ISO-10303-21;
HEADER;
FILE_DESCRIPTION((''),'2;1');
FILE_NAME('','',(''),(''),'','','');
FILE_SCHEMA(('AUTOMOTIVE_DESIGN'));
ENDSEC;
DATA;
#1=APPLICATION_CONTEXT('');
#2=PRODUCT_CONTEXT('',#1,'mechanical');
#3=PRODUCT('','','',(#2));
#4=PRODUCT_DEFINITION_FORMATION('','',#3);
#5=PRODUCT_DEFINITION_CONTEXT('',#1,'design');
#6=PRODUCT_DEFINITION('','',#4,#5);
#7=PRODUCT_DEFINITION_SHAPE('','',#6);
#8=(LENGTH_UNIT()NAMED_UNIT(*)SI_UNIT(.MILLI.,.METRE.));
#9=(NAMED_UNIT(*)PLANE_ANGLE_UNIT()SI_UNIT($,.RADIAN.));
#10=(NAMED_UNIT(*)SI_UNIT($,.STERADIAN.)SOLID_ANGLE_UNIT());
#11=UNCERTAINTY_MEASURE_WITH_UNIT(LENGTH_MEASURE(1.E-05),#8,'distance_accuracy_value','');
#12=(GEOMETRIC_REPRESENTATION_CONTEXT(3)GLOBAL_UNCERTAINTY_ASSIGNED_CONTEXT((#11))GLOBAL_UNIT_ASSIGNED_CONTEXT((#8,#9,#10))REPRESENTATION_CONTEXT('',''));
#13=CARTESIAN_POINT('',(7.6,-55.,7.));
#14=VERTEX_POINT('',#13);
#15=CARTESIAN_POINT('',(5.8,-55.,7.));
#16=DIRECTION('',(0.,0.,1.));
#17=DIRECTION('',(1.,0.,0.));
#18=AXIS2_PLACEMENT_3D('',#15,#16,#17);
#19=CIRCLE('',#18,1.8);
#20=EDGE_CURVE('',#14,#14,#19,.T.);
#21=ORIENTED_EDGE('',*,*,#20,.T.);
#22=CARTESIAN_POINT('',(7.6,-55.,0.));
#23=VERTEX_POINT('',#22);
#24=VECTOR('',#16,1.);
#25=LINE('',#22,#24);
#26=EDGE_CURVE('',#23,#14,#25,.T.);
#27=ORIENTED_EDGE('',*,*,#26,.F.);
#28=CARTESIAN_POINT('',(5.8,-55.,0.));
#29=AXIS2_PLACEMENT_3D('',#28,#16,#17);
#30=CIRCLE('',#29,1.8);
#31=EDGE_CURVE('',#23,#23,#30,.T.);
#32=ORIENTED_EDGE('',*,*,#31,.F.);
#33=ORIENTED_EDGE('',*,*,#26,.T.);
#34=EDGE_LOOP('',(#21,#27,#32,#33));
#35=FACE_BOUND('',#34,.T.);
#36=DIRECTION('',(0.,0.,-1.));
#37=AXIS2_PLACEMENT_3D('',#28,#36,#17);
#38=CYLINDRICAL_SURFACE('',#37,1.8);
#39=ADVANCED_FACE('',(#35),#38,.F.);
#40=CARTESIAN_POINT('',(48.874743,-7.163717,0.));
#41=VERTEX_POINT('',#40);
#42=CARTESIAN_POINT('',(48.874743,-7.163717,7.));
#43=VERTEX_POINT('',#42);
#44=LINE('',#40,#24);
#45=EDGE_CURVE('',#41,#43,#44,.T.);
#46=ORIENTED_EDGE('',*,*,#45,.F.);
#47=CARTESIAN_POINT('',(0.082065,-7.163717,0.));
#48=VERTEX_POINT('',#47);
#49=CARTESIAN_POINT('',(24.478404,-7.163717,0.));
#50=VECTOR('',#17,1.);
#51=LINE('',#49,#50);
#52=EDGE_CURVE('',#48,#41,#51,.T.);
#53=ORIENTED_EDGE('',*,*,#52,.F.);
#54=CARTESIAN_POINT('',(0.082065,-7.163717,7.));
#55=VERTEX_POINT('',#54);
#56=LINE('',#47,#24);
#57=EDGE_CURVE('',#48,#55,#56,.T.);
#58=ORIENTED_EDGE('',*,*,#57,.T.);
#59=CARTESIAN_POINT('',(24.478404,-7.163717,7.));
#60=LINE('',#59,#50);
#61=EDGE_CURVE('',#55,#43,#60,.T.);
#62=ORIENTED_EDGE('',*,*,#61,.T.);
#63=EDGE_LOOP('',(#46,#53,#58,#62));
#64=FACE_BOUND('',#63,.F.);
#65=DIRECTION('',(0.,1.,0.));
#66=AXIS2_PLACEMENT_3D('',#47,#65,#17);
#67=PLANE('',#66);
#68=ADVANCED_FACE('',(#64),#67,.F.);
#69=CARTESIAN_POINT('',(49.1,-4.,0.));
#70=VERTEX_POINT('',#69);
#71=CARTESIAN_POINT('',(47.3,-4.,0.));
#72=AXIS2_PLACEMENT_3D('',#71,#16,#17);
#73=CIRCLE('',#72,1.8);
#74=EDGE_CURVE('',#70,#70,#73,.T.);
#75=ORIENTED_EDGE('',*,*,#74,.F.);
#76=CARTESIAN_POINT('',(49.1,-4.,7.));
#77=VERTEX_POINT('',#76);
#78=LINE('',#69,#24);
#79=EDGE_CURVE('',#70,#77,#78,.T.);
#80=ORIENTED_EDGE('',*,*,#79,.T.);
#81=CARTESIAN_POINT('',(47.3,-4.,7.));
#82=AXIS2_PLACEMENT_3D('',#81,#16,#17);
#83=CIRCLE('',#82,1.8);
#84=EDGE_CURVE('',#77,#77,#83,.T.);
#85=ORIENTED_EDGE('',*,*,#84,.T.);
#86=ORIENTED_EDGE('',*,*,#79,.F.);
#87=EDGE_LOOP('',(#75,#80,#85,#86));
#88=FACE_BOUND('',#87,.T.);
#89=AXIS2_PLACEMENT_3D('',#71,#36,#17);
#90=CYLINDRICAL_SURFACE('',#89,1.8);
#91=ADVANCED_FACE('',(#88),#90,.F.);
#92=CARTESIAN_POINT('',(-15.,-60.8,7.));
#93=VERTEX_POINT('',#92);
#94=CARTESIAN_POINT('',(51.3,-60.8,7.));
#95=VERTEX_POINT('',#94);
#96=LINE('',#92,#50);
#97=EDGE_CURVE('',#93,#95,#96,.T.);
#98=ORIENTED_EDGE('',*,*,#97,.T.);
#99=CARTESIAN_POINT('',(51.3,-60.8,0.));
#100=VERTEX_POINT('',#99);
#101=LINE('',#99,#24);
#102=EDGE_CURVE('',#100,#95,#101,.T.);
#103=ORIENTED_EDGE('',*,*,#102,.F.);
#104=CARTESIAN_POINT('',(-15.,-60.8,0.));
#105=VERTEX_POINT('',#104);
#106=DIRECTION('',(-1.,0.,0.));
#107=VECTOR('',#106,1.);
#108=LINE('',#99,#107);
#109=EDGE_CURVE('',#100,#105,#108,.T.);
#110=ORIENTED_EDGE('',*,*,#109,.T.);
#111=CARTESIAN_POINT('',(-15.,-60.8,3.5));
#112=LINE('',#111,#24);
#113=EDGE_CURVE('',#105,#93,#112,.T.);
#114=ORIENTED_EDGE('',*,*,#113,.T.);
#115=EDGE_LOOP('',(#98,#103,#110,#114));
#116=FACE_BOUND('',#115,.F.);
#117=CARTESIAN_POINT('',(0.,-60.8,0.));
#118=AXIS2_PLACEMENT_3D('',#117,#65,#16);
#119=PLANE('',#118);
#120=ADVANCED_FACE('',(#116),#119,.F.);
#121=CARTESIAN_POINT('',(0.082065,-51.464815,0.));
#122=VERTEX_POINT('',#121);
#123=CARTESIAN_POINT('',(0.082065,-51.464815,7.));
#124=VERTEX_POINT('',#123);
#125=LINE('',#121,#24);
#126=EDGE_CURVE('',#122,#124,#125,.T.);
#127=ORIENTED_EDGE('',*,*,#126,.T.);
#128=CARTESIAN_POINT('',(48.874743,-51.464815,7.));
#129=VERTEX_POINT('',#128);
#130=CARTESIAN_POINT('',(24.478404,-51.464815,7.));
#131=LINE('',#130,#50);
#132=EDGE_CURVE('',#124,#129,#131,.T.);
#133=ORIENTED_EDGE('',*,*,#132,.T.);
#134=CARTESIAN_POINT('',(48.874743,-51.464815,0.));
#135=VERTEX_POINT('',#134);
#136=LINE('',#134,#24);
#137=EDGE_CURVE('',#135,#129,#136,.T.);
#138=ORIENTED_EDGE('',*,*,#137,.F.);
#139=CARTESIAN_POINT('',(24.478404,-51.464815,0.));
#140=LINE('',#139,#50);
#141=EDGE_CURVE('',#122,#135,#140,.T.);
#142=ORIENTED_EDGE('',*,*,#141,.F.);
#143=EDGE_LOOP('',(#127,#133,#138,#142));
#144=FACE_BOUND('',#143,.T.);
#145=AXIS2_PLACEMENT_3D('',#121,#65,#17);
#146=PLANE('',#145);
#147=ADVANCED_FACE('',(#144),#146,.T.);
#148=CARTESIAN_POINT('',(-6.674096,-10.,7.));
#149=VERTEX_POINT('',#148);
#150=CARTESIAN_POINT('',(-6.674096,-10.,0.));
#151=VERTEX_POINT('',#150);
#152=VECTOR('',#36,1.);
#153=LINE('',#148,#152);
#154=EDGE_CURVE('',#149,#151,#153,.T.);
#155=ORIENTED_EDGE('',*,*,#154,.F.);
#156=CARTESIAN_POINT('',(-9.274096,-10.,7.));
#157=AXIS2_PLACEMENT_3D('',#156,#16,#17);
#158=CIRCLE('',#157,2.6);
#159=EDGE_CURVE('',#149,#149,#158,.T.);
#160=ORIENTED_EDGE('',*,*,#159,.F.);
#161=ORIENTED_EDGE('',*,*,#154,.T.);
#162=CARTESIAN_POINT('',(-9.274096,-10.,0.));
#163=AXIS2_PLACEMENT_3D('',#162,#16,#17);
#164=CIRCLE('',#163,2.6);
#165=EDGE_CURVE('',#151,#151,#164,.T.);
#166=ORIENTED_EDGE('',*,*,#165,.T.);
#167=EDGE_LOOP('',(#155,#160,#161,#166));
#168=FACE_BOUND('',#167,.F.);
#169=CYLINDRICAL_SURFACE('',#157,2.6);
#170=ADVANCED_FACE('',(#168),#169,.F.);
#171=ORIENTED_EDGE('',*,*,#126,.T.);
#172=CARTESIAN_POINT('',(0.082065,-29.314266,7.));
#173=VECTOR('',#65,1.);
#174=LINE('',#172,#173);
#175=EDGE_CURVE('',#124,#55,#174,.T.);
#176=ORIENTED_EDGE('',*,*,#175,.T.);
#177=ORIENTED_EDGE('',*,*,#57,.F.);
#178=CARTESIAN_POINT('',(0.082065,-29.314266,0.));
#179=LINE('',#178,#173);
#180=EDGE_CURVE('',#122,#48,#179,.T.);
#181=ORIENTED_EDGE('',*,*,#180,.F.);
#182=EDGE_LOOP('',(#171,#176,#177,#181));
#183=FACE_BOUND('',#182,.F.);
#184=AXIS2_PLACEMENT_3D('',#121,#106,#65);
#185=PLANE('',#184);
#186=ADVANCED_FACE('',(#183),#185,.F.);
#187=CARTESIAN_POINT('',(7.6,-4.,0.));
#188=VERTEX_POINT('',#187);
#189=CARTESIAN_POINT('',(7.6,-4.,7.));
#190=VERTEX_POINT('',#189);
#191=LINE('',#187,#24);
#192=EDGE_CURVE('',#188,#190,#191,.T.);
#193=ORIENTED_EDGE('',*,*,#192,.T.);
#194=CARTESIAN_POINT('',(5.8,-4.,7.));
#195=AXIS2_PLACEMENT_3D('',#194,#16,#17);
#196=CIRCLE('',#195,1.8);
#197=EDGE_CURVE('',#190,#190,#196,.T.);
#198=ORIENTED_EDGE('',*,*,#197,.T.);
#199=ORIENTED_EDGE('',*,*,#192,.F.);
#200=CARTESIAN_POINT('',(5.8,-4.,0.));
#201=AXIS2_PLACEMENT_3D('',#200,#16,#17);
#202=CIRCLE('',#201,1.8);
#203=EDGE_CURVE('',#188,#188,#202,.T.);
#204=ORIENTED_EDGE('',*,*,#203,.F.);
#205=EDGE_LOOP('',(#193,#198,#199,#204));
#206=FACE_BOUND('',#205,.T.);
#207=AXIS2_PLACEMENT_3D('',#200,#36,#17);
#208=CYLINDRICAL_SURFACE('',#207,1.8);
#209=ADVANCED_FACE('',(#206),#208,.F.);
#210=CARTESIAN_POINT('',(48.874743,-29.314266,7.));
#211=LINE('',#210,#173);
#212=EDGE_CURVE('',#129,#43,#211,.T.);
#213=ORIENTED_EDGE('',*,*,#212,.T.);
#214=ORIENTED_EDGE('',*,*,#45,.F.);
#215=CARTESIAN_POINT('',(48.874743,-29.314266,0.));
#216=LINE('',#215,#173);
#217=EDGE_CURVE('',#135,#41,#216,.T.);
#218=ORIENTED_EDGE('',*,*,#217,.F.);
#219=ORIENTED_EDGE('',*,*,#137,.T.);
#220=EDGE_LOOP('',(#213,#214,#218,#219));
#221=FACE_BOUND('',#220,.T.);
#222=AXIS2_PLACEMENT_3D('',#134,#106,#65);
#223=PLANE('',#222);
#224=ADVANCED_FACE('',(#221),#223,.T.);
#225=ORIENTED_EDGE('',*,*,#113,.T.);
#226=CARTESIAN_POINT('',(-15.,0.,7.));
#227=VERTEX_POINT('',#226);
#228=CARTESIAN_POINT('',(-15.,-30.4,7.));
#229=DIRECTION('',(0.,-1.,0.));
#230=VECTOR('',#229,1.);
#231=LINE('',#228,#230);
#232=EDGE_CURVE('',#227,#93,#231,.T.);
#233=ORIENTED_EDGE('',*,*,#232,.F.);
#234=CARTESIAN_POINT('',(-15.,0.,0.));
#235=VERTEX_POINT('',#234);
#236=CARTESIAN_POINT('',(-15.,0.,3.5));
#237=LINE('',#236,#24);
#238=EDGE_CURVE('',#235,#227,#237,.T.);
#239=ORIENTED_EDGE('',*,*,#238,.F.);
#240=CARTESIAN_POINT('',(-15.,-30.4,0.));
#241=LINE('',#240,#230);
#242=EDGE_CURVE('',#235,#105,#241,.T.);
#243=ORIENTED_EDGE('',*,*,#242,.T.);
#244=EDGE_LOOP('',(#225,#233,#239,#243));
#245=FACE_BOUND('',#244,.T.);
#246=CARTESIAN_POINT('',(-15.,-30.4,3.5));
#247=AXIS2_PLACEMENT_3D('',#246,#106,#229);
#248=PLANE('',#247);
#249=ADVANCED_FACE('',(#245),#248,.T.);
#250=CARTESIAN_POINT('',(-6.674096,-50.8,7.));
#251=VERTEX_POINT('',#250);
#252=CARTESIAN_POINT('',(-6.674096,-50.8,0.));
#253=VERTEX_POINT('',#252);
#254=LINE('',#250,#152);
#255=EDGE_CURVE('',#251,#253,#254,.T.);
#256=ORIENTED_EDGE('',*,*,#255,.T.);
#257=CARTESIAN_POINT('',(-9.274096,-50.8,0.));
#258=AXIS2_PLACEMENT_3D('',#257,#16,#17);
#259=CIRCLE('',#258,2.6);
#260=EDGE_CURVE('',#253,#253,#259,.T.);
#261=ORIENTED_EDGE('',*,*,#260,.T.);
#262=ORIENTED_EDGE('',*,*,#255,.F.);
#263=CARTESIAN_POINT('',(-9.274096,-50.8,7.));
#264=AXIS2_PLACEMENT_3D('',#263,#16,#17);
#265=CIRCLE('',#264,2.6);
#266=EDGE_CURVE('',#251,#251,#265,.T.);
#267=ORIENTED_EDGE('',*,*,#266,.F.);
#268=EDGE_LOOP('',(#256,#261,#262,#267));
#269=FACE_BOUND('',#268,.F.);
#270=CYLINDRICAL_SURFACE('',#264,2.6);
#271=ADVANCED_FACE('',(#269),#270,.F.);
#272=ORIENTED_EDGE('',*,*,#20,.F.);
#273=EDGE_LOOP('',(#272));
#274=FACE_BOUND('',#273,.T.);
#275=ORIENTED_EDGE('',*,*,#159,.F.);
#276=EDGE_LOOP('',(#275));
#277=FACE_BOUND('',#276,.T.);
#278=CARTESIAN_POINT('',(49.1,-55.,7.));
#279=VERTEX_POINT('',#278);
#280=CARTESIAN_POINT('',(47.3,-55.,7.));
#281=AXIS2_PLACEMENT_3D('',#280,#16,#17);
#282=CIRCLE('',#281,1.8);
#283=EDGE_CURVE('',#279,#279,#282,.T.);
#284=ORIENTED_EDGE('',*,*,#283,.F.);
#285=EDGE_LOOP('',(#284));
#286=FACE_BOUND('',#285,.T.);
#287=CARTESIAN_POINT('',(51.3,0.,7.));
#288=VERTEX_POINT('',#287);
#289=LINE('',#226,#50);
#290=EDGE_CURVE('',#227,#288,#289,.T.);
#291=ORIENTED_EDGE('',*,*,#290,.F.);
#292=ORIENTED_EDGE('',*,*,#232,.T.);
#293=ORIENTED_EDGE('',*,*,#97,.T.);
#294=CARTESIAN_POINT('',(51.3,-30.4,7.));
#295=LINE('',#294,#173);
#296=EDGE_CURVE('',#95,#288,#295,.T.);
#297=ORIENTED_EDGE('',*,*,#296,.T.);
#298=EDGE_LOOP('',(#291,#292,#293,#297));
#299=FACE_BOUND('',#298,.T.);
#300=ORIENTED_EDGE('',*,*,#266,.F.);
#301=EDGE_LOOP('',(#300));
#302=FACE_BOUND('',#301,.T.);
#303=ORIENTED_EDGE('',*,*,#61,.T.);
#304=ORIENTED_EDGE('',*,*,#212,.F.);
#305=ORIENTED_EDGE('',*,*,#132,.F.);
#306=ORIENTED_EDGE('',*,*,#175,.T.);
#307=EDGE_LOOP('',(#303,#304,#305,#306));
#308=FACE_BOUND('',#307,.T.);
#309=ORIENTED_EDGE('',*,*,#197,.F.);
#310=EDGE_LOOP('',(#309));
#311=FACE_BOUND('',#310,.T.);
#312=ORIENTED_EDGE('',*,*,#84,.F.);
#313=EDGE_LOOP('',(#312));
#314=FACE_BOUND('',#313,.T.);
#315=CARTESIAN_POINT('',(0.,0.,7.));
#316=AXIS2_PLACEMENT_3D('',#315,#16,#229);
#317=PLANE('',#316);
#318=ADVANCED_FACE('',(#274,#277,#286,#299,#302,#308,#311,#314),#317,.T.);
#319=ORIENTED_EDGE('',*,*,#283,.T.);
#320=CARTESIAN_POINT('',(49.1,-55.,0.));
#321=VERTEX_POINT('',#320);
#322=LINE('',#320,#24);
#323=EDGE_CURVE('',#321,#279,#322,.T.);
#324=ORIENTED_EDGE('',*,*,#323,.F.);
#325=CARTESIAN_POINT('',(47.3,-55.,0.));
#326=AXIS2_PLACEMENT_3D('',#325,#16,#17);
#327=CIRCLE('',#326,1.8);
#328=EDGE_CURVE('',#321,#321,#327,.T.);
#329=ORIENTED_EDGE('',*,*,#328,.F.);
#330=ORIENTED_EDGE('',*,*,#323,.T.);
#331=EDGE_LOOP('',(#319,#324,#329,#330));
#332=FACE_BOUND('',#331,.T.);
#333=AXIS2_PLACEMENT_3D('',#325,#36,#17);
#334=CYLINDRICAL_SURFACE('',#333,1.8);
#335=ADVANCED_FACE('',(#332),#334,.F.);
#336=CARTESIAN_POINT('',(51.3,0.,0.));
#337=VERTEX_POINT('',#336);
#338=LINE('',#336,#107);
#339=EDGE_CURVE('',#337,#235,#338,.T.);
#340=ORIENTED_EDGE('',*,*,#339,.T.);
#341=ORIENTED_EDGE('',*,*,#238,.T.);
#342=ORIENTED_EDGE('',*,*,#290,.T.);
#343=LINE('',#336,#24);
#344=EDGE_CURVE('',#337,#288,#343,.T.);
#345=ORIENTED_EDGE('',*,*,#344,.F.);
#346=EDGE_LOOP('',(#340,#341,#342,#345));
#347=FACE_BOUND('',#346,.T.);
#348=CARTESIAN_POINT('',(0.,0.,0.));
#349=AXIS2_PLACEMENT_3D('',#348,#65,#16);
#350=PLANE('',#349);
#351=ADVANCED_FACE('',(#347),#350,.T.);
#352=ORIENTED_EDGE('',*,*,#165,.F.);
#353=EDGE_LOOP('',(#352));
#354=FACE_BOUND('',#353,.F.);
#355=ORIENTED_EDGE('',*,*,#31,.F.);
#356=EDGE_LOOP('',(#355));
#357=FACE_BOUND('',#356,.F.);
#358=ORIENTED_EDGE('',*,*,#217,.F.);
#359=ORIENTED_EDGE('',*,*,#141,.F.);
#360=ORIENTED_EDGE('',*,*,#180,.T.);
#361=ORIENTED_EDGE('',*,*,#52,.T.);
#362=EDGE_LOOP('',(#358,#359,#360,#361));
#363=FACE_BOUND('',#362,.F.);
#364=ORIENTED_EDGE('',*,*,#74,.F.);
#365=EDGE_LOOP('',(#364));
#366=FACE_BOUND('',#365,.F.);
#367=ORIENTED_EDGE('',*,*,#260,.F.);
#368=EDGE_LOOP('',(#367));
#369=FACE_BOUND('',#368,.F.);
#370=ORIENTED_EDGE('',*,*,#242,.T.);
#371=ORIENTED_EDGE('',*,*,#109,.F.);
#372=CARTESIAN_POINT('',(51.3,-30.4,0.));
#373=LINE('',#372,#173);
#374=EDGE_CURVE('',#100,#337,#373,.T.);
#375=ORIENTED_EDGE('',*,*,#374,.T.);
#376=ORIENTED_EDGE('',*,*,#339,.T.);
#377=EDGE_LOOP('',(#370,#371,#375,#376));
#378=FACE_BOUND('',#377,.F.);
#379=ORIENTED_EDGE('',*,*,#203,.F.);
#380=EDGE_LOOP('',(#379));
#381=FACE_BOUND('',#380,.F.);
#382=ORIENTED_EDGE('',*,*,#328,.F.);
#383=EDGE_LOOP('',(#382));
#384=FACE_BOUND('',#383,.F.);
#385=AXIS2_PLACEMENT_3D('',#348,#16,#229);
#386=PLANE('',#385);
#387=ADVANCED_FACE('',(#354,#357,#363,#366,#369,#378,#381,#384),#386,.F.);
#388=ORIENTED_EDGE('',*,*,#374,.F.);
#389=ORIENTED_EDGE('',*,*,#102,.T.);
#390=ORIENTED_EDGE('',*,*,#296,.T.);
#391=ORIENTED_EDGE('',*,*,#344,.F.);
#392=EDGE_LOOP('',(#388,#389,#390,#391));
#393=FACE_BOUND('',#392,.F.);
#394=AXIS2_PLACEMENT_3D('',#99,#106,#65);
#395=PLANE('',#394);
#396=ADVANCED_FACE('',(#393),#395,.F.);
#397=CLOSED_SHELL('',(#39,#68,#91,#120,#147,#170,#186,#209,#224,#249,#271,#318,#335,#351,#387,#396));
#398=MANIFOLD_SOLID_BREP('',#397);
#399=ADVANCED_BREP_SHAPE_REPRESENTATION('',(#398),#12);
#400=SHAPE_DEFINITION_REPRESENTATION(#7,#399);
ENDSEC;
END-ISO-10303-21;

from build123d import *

# Parameters (mm, degrees)
F0_W      = 51.3
F0_H      = 60.8
F0_R      = 1.8
F0_W_2    = 48.792678
F0_H_2    = 44.301098
F1_DEPTH  = 7
F1_FACE_W = 60.8
F1_FACE_H = 7
F2_DEPTH  = 15
F3_R      = 2.6
F4_DEPTH  = 25


with BuildPart() as f1:
    # F0 (on Top) → F1 (new body)
    with BuildSketch(Plane.XY):
        with Locations((25.65, -30.4)):
            Rectangle(F0_W, F0_H)
        with Locations((5.8, -55)):
            Circle(F0_R, mode=Mode.SUBTRACT)
        with Locations((47.3, -55)):
            Circle(F0_R, mode=Mode.SUBTRACT)
        with Locations((24.478404, -29.314266)):
            Rectangle(F0_W_2, F0_H_2, mode=Mode.SUBTRACT)
        with Locations((5.8, -4)):
            Circle(F0_R, mode=Mode.SUBTRACT)
        with Locations((47.3, -4)):
            Circle(F0_R, mode=Mode.SUBTRACT)
    extrude(amount=F1_DEPTH)

    # F1_face (on face) → F2 (join)
    with BuildSketch(Plane(origin=(0, -30.4, 3.5), x_dir=(0, -1, 0), z_dir=(-1, 0, 0))):
        Rectangle(F1_FACE_W, F1_FACE_H)
    extrude(amount=F2_DEPTH)

    # F3 (on face) → F4 (cut)
    with BuildSketch(Plane.XY.offset(7)):
        with Locations((-9.274096, -10)):
            Circle(F3_R)
        with Locations((-9.274096, -50.8)):
            Circle(F3_R)
    extrude(amount=-F4_DEPTH, mode=Mode.SUBTRACT)


solid = f1.part
